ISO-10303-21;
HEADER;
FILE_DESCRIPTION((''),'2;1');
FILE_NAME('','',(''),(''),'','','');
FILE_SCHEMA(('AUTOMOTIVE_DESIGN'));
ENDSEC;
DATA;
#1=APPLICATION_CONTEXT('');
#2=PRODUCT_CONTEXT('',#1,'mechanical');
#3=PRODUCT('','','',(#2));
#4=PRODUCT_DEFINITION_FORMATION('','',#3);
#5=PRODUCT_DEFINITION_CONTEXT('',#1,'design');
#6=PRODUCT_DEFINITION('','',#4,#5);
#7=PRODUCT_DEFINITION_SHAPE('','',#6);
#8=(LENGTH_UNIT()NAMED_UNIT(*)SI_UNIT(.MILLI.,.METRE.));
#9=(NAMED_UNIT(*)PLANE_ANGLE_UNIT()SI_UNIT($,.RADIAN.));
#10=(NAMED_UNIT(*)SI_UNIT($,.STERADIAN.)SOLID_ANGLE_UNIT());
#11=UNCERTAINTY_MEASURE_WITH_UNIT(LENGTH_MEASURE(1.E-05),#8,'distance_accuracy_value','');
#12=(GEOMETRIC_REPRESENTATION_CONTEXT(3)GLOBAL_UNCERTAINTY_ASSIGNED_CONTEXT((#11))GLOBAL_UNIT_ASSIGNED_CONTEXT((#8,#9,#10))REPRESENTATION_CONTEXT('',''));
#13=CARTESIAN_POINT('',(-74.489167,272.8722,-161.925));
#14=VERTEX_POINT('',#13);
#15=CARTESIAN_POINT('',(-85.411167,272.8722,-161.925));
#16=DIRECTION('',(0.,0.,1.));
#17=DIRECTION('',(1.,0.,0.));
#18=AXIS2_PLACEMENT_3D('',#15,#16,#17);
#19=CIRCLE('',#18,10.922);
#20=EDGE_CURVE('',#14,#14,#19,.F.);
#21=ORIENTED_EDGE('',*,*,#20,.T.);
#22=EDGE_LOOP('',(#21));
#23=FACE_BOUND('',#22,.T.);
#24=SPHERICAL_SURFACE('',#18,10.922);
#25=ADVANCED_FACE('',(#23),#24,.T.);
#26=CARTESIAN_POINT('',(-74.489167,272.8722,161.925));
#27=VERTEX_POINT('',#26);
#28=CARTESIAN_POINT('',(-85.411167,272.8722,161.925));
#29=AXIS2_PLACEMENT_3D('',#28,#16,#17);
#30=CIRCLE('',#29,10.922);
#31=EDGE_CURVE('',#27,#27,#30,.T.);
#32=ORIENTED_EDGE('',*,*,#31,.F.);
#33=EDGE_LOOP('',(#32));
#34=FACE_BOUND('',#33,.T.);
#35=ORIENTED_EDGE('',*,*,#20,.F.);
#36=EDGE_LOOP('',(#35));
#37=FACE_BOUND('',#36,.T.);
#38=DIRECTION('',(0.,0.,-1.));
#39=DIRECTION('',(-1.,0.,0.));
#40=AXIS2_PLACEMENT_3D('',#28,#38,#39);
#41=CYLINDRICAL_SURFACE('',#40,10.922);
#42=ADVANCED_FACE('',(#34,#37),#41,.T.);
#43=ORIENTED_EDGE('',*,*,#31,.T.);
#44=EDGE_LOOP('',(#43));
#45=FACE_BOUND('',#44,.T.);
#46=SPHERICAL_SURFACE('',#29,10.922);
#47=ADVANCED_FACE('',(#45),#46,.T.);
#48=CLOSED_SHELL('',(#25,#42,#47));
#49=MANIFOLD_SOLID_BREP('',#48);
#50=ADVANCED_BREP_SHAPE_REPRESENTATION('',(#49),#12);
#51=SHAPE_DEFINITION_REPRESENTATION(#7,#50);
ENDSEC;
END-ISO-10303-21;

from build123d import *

# Parameters (mm, degrees)
SKETCH1_R           = 10.922
BOSS_EXTRUDE1_DEPTH = 161.925


with BuildPart() as part:
    # Sketch1 → Boss-Extrude1 (new body, symmetric)
    with BuildSketch(Plane.XY):
        with Locations((-85.411167397, 272.8722)):
            Circle(SKETCH1_R)
    extrude(amount=BOSS_EXTRUDE1_DEPTH, both=True)

    # Sketch3 → Revolve2 (revolve)
    with BuildSketch(Plane(origin=(0, 0, -161.925), x_dir=(-1, 0, 0), z_dir=(0, 0, -1))):
        with BuildLine():
            Line((74.489167397, 272.8722), (96.333167397, 272.8722))
            ThreePointArc((96.333167397, 272.8722), (85.411167397, 283.7942), (74.489167397, 272.8722))
        make_face()
    revolve(axis=Axis((-74.489167397, 272.8722, -161.925), (-1, 0, 0)))

    # Sketch4 → Revolve3 (revolve)
    with BuildSketch(Plane.XY.offset(161.925)):
        with BuildLine():
            Line((-74.489167397, 272.8722), (-96.333167397, 272.8722))
            ThreePointArc((-96.333167397, 272.8722), (-85.411167397, 283.7942), (-74.489167397, 272.8722))
        make_face()
    revolve(axis=Axis((-74.489167397, 272.8722, 161.925), (-1, 0, 0)))


solid = part.part
